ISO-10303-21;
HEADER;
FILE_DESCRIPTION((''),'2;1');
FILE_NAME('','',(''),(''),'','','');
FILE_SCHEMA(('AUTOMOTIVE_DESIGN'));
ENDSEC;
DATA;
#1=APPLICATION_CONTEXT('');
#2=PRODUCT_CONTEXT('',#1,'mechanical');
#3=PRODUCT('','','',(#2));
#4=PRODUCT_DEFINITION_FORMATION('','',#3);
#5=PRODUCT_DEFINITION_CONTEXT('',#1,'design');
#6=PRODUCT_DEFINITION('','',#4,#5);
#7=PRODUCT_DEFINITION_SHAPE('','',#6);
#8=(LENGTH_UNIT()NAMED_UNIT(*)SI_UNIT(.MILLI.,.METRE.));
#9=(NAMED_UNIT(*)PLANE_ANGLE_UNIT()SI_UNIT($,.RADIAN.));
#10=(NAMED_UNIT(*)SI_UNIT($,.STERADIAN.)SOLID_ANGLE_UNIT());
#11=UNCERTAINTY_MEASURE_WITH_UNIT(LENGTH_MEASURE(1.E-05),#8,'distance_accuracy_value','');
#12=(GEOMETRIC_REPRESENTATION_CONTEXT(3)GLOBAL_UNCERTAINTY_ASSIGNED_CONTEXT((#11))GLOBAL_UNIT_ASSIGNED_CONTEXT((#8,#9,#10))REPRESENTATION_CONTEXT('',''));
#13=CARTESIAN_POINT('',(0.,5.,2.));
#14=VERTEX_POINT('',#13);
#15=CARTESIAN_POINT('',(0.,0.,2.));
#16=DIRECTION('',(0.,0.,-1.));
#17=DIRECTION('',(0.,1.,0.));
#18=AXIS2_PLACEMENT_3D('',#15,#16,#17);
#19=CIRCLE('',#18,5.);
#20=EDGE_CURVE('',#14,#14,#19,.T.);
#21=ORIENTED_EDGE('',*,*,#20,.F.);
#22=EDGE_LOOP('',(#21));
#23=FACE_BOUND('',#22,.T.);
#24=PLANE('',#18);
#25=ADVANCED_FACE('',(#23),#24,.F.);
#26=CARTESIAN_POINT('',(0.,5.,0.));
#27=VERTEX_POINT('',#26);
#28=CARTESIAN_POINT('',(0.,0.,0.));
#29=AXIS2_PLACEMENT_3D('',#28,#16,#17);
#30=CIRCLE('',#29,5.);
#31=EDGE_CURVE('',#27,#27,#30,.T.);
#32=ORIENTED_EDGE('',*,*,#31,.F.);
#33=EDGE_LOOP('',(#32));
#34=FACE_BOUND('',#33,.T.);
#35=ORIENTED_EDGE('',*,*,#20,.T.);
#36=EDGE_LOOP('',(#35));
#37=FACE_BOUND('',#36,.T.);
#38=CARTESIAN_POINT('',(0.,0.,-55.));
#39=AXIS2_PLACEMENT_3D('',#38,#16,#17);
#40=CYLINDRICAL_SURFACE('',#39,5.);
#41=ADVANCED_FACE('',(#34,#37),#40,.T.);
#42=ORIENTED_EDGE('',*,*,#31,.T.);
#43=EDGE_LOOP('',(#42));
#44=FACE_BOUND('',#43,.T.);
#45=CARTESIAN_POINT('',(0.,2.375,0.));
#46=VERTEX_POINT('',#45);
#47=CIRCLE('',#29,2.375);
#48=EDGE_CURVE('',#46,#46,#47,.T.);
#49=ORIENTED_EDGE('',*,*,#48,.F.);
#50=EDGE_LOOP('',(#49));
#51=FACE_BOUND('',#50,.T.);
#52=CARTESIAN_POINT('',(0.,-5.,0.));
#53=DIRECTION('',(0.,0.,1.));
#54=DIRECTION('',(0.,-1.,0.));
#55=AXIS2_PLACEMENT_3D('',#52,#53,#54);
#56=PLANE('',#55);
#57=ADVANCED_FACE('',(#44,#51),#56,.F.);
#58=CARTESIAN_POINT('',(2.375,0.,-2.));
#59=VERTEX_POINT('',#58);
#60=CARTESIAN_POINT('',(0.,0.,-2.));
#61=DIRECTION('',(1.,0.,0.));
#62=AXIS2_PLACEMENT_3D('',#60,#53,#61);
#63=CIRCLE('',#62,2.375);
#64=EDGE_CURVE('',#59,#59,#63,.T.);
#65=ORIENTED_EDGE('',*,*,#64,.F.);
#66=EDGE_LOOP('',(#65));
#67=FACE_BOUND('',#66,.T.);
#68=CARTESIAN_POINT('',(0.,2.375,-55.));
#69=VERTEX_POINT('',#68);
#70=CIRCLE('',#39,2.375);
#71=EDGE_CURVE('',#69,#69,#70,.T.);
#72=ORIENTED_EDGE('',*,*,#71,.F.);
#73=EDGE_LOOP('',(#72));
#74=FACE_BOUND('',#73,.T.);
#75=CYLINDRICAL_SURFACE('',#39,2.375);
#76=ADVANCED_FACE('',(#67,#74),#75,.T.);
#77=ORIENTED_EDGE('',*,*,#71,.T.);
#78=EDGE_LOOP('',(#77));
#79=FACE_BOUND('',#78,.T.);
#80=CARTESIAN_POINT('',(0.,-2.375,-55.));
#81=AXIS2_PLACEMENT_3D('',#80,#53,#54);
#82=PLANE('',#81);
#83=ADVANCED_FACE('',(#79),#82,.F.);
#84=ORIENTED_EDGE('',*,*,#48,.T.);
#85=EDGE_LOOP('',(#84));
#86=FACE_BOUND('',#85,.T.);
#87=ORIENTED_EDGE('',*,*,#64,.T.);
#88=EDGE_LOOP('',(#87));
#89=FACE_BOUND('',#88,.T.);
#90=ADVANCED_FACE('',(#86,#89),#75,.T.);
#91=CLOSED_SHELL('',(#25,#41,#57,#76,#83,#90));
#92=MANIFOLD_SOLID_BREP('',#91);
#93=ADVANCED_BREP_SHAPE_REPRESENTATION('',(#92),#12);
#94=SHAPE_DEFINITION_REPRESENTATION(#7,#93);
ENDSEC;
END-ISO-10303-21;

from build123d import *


with BuildPart() as part:
    # Sketch1 → Revolve1 (revolve)
    with BuildSketch(Plane.YZ):
        Polygon((0, -55), (0, 2), (-5, 2), (-5, 0), (-2.375, 0), (-2.375, -55), align=None)
    revolve(axis=Axis((0, 0, -55), (0, 0, 1)))


solid = part.part
